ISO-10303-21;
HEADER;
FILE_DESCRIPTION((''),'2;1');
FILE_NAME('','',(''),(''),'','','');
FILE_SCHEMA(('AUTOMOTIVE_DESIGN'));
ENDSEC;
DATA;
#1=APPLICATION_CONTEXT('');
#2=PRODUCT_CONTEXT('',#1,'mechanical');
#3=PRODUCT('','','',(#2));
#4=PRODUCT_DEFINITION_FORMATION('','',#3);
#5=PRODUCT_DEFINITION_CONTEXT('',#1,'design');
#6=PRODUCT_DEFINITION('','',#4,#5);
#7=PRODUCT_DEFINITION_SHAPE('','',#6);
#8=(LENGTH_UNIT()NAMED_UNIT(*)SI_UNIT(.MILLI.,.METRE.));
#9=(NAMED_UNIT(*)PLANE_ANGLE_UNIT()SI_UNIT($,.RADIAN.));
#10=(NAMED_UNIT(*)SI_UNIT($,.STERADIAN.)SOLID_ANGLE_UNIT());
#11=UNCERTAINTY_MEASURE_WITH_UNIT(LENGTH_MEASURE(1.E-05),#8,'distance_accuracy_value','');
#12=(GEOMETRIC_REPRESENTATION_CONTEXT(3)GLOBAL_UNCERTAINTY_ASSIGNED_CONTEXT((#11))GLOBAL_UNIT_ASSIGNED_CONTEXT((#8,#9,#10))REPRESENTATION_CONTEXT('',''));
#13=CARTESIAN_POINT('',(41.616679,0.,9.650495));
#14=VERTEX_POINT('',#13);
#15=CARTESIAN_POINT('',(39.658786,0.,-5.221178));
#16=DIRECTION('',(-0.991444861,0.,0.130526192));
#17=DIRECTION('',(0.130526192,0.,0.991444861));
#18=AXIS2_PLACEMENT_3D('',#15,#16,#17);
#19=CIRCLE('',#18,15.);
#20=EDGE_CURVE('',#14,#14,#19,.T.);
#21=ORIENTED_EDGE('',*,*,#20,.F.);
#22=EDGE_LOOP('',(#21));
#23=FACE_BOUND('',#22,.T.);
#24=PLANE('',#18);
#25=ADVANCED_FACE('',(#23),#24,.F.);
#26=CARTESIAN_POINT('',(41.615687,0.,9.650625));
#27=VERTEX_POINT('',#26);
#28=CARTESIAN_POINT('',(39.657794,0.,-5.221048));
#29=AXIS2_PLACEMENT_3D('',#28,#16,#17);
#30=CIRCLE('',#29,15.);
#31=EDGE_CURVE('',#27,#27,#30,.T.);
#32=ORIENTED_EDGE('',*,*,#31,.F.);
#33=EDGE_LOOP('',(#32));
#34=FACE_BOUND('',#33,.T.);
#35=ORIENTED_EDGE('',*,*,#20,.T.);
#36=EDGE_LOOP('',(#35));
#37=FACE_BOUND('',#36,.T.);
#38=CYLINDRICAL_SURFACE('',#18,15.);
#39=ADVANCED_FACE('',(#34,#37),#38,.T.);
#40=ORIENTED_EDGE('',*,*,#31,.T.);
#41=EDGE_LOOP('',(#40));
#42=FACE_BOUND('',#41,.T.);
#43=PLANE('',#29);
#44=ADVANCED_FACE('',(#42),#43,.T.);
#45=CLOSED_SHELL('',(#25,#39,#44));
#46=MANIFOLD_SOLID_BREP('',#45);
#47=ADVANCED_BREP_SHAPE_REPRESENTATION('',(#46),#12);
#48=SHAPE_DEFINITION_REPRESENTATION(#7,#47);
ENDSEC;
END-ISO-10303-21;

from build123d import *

# Parameters (mm, degrees)
SKETCH_1_R      = 15
EXTRUDE_1_DEPTH = 0.001


with BuildPart() as part:
    # 草图1 → 凸台-拉伸1 (new body)
    with BuildSketch(Plane(origin=(39.657794455, 0, -5.221047689), x_dir=(0.130526192, 0, 0.991444861), z_dir=(-0.991444861, 0, 0.130526192))):
        Circle(SKETCH_1_R)
    extrude(amount=-EXTRUDE_1_DEPTH)


solid = part.part
